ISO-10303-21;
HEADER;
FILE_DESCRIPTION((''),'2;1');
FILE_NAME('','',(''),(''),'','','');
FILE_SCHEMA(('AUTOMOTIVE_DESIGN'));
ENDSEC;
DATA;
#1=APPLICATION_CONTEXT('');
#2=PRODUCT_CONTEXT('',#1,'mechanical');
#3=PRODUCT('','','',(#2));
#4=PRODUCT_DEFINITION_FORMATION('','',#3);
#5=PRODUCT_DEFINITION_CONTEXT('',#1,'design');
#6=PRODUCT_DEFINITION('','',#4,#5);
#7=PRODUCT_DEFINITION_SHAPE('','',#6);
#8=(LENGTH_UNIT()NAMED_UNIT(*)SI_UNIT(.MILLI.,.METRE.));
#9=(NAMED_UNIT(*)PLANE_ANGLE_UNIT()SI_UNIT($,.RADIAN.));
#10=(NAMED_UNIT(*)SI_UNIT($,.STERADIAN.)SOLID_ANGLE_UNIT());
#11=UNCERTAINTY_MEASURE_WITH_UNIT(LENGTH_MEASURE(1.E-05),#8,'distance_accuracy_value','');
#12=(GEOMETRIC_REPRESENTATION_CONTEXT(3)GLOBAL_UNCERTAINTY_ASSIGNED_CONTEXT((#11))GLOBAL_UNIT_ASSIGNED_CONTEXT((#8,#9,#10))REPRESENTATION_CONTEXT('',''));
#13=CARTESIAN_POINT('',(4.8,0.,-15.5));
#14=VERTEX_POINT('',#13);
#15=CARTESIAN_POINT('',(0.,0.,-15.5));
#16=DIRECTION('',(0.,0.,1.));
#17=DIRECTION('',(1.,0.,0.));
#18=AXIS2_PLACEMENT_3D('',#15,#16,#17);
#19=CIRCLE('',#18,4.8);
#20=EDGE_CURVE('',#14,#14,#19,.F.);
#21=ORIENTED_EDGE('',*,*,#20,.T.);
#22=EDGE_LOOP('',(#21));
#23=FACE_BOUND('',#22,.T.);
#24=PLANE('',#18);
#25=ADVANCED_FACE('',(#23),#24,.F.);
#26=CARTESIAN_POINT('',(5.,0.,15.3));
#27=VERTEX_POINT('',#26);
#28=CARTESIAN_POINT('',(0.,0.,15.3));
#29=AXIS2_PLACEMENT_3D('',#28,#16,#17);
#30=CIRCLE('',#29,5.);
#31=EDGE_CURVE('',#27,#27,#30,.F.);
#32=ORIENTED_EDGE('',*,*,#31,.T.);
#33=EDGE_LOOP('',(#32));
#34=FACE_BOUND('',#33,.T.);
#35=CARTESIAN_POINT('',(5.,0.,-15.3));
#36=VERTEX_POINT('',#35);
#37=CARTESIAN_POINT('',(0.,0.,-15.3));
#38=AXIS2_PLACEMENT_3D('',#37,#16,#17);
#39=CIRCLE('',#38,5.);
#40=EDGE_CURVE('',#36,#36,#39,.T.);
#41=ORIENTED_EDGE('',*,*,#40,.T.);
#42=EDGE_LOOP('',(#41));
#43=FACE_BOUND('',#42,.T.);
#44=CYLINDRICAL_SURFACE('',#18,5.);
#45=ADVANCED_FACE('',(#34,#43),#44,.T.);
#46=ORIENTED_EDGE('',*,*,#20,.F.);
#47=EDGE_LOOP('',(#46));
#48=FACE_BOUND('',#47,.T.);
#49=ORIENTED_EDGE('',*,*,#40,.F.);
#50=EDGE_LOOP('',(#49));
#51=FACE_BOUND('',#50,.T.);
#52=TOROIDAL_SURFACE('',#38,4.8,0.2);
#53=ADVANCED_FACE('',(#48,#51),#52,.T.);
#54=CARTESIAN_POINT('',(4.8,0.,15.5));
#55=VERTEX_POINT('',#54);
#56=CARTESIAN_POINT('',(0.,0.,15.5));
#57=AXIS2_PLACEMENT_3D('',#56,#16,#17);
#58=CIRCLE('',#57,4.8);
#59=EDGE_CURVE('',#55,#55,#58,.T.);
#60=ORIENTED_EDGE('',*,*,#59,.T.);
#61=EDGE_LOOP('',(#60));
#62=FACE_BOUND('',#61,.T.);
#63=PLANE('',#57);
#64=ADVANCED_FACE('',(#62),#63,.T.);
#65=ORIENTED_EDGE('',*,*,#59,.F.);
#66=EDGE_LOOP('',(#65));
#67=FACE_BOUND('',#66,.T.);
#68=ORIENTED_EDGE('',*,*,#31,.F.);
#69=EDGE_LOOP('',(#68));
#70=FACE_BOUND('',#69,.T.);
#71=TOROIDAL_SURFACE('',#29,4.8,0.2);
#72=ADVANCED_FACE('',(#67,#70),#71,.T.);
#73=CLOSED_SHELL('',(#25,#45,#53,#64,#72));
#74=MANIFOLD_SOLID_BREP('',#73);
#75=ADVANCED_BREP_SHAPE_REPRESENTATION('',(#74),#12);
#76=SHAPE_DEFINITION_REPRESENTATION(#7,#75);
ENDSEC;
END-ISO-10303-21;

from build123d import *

# Parameters (mm, degrees)
CYCL_DEPTH      = 15.5
CYCL_DEPTH_BACK = 15.5
DIA_R           = 5
FILLET1_R       = 0.2


with BuildPart() as part:
    # dia → cycl (new, two sides: drawn at the far end of the back side and taken through both)
    with BuildSketch(Plane.XY.offset(-CYCL_DEPTH_BACK)):
        Circle(DIA_R)
    extrude(amount=CYCL_DEPTH + CYCL_DEPTH_BACK)

    # Fillet1
    fillet1_edges = [part.edges().sort_by_distance(p)[0] for p in [
        (-5, 0, 15.5),
        (-5, 0, -15.5),
    ]]
    fillet(fillet1_edges, radius=FILLET1_R)


solid = part.part
